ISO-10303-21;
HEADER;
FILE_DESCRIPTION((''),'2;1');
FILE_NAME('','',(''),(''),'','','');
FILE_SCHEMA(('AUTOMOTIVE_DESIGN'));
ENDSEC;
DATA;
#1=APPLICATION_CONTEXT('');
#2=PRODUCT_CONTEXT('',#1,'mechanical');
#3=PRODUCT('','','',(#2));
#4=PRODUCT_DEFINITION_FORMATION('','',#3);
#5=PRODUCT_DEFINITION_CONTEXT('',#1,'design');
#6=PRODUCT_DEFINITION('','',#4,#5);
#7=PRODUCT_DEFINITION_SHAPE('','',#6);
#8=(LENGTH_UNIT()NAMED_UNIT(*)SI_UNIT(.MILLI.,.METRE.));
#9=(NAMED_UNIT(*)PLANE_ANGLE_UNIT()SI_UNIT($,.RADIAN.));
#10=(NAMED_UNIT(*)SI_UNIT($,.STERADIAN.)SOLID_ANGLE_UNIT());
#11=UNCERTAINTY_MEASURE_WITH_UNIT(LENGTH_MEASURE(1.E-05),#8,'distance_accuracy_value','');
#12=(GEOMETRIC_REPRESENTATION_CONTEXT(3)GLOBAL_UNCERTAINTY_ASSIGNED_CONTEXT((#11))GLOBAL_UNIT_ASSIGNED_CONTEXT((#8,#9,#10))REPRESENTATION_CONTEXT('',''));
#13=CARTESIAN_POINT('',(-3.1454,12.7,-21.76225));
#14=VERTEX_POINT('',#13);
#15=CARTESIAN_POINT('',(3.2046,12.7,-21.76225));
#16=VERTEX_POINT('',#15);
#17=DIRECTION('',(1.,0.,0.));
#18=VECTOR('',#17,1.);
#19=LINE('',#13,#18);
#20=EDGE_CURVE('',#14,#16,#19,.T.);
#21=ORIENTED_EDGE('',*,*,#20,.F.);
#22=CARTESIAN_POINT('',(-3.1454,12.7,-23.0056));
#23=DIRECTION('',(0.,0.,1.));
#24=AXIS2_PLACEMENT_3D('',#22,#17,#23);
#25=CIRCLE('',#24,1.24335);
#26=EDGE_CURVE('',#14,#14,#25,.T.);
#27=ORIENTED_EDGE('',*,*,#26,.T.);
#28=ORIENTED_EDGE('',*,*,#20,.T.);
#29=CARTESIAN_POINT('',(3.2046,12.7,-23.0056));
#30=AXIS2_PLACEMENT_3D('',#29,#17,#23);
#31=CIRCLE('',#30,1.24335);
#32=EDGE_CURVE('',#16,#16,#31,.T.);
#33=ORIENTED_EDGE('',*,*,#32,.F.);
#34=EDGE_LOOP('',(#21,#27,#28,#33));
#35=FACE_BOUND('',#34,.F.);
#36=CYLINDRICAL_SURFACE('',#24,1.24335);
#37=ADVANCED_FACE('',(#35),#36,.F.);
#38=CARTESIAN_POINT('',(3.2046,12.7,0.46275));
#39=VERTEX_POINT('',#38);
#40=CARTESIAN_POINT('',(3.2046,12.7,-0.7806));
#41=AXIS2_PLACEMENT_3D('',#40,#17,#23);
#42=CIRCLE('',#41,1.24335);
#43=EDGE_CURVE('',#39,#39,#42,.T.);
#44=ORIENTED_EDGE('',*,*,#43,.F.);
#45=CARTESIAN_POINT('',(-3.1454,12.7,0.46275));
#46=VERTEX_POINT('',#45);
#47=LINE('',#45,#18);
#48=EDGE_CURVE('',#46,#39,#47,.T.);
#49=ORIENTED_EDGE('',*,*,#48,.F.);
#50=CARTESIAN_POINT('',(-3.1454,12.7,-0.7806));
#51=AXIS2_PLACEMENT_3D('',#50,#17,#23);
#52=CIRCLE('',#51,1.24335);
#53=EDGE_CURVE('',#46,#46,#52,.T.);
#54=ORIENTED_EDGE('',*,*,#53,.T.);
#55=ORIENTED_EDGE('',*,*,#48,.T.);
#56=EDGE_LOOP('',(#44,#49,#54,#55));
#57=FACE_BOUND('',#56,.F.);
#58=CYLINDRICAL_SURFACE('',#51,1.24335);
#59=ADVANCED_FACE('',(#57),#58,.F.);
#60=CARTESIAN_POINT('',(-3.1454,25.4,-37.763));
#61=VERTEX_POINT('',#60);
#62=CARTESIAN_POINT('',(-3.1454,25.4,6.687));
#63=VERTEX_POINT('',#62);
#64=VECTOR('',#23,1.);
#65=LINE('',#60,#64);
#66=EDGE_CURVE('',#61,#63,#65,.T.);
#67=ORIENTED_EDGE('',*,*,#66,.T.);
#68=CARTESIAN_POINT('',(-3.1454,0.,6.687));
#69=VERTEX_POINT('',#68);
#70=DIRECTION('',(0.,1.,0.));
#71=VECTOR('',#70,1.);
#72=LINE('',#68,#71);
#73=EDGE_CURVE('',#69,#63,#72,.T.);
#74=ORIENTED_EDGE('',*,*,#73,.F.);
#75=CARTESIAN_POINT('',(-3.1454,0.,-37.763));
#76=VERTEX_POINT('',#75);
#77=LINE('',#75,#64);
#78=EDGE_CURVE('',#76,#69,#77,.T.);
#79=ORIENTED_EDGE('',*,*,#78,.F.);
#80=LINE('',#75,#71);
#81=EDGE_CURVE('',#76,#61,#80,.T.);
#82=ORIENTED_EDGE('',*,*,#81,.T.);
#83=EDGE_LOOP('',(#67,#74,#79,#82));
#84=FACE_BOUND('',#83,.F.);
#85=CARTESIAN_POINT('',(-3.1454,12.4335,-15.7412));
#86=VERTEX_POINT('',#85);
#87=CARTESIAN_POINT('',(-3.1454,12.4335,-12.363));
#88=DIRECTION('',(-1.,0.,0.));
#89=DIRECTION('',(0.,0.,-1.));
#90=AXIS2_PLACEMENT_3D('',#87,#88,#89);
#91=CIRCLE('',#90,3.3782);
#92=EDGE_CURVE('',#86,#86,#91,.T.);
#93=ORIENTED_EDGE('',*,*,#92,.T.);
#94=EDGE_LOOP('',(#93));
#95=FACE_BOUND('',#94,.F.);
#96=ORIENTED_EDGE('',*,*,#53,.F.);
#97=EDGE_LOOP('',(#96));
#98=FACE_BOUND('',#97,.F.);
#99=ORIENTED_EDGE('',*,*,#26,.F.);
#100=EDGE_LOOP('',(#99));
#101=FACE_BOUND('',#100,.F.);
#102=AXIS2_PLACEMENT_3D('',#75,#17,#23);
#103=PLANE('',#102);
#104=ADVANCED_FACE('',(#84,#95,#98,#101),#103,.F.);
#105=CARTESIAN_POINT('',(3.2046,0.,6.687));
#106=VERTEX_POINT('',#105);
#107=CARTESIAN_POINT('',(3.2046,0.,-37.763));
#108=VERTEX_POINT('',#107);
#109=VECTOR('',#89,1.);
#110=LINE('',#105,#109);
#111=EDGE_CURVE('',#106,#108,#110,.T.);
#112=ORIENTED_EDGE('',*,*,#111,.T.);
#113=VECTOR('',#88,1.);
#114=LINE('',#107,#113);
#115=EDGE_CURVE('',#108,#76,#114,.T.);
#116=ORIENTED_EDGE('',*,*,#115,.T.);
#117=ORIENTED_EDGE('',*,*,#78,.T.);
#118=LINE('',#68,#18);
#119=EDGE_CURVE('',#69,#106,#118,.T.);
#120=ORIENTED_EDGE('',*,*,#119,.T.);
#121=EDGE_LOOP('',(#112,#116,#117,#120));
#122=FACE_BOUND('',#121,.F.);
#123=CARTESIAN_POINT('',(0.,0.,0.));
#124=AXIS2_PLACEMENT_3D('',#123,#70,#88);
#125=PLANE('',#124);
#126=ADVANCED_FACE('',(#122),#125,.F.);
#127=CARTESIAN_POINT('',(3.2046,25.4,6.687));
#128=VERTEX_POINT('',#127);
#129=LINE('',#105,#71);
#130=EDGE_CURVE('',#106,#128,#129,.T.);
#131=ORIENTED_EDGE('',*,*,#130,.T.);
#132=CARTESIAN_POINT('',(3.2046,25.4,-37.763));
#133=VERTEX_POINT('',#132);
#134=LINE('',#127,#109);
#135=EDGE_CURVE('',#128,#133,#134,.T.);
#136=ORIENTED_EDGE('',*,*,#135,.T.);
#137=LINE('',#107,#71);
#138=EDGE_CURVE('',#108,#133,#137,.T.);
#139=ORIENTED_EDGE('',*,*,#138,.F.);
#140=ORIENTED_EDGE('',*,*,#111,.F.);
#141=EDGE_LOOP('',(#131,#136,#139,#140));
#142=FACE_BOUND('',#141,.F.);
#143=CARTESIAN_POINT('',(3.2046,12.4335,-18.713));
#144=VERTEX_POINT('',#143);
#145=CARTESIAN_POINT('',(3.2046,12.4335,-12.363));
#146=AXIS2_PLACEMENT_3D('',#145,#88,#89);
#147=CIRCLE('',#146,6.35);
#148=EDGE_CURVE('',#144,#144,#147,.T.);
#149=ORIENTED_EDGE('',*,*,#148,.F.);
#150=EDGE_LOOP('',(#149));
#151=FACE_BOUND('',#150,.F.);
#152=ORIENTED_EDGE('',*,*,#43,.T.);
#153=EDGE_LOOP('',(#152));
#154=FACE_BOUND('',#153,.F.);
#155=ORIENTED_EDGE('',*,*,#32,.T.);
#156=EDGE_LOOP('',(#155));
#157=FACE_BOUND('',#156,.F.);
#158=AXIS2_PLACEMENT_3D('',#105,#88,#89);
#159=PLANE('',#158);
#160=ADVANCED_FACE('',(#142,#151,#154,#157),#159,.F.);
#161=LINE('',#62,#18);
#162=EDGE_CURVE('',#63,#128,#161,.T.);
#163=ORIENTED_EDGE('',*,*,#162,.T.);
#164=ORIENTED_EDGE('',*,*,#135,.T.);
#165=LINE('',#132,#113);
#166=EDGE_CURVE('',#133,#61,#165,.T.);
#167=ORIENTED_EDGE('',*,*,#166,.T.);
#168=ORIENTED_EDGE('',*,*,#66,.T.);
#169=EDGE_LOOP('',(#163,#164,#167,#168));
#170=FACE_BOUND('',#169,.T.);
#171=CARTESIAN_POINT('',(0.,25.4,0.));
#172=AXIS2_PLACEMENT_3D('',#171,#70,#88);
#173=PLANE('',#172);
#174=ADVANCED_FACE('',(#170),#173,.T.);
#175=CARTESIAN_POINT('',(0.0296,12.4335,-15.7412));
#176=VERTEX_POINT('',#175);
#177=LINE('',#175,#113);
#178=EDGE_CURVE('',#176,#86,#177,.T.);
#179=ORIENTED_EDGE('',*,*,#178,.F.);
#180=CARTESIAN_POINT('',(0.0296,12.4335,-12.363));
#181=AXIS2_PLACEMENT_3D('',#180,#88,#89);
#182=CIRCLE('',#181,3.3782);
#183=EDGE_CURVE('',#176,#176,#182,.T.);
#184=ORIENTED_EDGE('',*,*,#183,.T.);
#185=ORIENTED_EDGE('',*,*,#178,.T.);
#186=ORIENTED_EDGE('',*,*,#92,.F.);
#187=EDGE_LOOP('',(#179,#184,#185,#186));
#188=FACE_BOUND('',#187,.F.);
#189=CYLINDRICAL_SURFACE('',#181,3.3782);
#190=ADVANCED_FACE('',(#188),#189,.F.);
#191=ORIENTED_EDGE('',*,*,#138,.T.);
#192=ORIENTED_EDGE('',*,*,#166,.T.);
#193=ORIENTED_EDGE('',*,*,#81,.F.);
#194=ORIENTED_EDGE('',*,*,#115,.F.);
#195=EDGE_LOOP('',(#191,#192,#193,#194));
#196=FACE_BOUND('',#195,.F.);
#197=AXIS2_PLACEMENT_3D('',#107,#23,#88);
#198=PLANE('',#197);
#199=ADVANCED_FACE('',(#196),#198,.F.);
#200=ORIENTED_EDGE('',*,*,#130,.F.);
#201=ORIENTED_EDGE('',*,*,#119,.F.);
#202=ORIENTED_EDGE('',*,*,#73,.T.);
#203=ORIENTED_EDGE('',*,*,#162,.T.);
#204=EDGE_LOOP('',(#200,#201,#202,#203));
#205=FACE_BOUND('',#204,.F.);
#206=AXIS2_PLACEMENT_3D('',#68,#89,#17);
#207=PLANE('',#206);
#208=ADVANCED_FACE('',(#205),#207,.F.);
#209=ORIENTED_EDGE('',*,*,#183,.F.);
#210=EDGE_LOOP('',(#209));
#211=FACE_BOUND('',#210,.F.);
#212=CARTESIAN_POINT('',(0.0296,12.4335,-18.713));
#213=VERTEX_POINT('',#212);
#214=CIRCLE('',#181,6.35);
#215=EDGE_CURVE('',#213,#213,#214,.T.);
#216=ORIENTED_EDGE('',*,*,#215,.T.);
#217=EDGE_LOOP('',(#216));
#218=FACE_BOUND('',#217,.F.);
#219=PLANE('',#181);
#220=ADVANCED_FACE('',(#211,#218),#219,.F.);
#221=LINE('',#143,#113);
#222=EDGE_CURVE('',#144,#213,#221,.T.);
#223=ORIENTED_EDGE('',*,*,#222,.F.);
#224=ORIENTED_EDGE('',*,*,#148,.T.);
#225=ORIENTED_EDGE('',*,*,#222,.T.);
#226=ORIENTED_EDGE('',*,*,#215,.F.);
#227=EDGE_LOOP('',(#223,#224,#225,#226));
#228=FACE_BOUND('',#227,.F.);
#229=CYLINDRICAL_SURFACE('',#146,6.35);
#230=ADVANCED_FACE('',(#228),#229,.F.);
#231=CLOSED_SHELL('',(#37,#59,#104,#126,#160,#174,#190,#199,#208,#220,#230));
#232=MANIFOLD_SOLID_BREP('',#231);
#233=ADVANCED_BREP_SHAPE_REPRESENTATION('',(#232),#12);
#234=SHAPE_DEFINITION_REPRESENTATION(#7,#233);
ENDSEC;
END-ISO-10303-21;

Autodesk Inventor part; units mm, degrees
ref_plane "YZ Plane" through (0, 0, 0) normal (1, 0, 0) x (0, 1, 0)
ref_plane "XZ Plane" through (0, 0, 0) normal (0, 1, 0) x (-1, 0, 0)
ref_plane "XY Plane" through (0, 0, 0) normal (0, 0, 1) x (1, 0, 0)
sketch "Sketch1" plane through (0, 0, 0) normal (0, 1, 0) x (-1, 0, 0)
  line L0 (3.1454, 6.687) -> (-3.2046, 6.687)
  line L1 (-3.2046, 6.687) -> (-3.2046, -37.763)
  line L2 (-3.2046, -37.763) -> (3.1454, -37.763)
  line L3 (3.1454, -37.763) -> (3.1454, 6.687)
  point P0 (0, 0)
  dimension "d0" = 6.35
  dimension "d1" = 44.45
extrude "Extrusion1" add sketch "Sketch1" along normal blind 25.4
sketch "Sketch2" plane through (3.2046, 0, 6.687) normal (1, 0, 0) x (0, 0, -1)
  line L0 (0, 0) -> (0, 25.4) projected
  point P0 (6.687, 0)
  point P1 (19.05, 12.4335)
  dimension "d4" = 19.05
hole "Hole1" at (3.2046, 12.4335, -12.363) direction (-1, 0, 0) diameter 6.7564 end through all counterbore diameter 12.7 counterbore depth 3.175 clearance for "Hex Head Bolt" size "1/4" standard "Ansi Unified Screw Threads"
sketch "Sketch4" plane through (-3.1454, 0, -37.763) normal (-1, 0, 0) x (0, 0, 1)
  line L0 (44.45, 0) -> (44.45, 25.4) projected
  point P0 (37.763, 0)
  point P1 (14.7574, 12.7)
  dimension "d20" = 29.6926
hole "Hole3" at (-3.1454, 12.7, -23.0056) direction (1, 0, 0) diameter 2.4867 end through all thread size "5-40 UNC" class "2B" standard "ANSI Unified Screw Threads"
sketch "Sketch5" plane through (-3.1454, 0, -37.763) normal (-1, 0, 0) x (0, 0, 1)
  line L0 (44.45, 0) -> (44.45, 25.4) projected
  line L1 (0, 25.4) -> (44.45, 25.4) projected
  point P0 (37.763, 0)
  point P1 (36.9824, 12.7)
  dimension "d28" = 7.4676
  dimension "d36" = 12.7
hole "Hole4" at (-3.1454, 12.7, -0.7806) direction (1, 0, 0) diameter 2.4867 end through all thread size "5-40 UNC" class "2B" standard "ANSI Unified Screw Threads"
equation "\"d22\" = d20"
equation "\"d30\" = d28"
properties part number "Zero Dead Space Electronic needle valve holder Newst"
